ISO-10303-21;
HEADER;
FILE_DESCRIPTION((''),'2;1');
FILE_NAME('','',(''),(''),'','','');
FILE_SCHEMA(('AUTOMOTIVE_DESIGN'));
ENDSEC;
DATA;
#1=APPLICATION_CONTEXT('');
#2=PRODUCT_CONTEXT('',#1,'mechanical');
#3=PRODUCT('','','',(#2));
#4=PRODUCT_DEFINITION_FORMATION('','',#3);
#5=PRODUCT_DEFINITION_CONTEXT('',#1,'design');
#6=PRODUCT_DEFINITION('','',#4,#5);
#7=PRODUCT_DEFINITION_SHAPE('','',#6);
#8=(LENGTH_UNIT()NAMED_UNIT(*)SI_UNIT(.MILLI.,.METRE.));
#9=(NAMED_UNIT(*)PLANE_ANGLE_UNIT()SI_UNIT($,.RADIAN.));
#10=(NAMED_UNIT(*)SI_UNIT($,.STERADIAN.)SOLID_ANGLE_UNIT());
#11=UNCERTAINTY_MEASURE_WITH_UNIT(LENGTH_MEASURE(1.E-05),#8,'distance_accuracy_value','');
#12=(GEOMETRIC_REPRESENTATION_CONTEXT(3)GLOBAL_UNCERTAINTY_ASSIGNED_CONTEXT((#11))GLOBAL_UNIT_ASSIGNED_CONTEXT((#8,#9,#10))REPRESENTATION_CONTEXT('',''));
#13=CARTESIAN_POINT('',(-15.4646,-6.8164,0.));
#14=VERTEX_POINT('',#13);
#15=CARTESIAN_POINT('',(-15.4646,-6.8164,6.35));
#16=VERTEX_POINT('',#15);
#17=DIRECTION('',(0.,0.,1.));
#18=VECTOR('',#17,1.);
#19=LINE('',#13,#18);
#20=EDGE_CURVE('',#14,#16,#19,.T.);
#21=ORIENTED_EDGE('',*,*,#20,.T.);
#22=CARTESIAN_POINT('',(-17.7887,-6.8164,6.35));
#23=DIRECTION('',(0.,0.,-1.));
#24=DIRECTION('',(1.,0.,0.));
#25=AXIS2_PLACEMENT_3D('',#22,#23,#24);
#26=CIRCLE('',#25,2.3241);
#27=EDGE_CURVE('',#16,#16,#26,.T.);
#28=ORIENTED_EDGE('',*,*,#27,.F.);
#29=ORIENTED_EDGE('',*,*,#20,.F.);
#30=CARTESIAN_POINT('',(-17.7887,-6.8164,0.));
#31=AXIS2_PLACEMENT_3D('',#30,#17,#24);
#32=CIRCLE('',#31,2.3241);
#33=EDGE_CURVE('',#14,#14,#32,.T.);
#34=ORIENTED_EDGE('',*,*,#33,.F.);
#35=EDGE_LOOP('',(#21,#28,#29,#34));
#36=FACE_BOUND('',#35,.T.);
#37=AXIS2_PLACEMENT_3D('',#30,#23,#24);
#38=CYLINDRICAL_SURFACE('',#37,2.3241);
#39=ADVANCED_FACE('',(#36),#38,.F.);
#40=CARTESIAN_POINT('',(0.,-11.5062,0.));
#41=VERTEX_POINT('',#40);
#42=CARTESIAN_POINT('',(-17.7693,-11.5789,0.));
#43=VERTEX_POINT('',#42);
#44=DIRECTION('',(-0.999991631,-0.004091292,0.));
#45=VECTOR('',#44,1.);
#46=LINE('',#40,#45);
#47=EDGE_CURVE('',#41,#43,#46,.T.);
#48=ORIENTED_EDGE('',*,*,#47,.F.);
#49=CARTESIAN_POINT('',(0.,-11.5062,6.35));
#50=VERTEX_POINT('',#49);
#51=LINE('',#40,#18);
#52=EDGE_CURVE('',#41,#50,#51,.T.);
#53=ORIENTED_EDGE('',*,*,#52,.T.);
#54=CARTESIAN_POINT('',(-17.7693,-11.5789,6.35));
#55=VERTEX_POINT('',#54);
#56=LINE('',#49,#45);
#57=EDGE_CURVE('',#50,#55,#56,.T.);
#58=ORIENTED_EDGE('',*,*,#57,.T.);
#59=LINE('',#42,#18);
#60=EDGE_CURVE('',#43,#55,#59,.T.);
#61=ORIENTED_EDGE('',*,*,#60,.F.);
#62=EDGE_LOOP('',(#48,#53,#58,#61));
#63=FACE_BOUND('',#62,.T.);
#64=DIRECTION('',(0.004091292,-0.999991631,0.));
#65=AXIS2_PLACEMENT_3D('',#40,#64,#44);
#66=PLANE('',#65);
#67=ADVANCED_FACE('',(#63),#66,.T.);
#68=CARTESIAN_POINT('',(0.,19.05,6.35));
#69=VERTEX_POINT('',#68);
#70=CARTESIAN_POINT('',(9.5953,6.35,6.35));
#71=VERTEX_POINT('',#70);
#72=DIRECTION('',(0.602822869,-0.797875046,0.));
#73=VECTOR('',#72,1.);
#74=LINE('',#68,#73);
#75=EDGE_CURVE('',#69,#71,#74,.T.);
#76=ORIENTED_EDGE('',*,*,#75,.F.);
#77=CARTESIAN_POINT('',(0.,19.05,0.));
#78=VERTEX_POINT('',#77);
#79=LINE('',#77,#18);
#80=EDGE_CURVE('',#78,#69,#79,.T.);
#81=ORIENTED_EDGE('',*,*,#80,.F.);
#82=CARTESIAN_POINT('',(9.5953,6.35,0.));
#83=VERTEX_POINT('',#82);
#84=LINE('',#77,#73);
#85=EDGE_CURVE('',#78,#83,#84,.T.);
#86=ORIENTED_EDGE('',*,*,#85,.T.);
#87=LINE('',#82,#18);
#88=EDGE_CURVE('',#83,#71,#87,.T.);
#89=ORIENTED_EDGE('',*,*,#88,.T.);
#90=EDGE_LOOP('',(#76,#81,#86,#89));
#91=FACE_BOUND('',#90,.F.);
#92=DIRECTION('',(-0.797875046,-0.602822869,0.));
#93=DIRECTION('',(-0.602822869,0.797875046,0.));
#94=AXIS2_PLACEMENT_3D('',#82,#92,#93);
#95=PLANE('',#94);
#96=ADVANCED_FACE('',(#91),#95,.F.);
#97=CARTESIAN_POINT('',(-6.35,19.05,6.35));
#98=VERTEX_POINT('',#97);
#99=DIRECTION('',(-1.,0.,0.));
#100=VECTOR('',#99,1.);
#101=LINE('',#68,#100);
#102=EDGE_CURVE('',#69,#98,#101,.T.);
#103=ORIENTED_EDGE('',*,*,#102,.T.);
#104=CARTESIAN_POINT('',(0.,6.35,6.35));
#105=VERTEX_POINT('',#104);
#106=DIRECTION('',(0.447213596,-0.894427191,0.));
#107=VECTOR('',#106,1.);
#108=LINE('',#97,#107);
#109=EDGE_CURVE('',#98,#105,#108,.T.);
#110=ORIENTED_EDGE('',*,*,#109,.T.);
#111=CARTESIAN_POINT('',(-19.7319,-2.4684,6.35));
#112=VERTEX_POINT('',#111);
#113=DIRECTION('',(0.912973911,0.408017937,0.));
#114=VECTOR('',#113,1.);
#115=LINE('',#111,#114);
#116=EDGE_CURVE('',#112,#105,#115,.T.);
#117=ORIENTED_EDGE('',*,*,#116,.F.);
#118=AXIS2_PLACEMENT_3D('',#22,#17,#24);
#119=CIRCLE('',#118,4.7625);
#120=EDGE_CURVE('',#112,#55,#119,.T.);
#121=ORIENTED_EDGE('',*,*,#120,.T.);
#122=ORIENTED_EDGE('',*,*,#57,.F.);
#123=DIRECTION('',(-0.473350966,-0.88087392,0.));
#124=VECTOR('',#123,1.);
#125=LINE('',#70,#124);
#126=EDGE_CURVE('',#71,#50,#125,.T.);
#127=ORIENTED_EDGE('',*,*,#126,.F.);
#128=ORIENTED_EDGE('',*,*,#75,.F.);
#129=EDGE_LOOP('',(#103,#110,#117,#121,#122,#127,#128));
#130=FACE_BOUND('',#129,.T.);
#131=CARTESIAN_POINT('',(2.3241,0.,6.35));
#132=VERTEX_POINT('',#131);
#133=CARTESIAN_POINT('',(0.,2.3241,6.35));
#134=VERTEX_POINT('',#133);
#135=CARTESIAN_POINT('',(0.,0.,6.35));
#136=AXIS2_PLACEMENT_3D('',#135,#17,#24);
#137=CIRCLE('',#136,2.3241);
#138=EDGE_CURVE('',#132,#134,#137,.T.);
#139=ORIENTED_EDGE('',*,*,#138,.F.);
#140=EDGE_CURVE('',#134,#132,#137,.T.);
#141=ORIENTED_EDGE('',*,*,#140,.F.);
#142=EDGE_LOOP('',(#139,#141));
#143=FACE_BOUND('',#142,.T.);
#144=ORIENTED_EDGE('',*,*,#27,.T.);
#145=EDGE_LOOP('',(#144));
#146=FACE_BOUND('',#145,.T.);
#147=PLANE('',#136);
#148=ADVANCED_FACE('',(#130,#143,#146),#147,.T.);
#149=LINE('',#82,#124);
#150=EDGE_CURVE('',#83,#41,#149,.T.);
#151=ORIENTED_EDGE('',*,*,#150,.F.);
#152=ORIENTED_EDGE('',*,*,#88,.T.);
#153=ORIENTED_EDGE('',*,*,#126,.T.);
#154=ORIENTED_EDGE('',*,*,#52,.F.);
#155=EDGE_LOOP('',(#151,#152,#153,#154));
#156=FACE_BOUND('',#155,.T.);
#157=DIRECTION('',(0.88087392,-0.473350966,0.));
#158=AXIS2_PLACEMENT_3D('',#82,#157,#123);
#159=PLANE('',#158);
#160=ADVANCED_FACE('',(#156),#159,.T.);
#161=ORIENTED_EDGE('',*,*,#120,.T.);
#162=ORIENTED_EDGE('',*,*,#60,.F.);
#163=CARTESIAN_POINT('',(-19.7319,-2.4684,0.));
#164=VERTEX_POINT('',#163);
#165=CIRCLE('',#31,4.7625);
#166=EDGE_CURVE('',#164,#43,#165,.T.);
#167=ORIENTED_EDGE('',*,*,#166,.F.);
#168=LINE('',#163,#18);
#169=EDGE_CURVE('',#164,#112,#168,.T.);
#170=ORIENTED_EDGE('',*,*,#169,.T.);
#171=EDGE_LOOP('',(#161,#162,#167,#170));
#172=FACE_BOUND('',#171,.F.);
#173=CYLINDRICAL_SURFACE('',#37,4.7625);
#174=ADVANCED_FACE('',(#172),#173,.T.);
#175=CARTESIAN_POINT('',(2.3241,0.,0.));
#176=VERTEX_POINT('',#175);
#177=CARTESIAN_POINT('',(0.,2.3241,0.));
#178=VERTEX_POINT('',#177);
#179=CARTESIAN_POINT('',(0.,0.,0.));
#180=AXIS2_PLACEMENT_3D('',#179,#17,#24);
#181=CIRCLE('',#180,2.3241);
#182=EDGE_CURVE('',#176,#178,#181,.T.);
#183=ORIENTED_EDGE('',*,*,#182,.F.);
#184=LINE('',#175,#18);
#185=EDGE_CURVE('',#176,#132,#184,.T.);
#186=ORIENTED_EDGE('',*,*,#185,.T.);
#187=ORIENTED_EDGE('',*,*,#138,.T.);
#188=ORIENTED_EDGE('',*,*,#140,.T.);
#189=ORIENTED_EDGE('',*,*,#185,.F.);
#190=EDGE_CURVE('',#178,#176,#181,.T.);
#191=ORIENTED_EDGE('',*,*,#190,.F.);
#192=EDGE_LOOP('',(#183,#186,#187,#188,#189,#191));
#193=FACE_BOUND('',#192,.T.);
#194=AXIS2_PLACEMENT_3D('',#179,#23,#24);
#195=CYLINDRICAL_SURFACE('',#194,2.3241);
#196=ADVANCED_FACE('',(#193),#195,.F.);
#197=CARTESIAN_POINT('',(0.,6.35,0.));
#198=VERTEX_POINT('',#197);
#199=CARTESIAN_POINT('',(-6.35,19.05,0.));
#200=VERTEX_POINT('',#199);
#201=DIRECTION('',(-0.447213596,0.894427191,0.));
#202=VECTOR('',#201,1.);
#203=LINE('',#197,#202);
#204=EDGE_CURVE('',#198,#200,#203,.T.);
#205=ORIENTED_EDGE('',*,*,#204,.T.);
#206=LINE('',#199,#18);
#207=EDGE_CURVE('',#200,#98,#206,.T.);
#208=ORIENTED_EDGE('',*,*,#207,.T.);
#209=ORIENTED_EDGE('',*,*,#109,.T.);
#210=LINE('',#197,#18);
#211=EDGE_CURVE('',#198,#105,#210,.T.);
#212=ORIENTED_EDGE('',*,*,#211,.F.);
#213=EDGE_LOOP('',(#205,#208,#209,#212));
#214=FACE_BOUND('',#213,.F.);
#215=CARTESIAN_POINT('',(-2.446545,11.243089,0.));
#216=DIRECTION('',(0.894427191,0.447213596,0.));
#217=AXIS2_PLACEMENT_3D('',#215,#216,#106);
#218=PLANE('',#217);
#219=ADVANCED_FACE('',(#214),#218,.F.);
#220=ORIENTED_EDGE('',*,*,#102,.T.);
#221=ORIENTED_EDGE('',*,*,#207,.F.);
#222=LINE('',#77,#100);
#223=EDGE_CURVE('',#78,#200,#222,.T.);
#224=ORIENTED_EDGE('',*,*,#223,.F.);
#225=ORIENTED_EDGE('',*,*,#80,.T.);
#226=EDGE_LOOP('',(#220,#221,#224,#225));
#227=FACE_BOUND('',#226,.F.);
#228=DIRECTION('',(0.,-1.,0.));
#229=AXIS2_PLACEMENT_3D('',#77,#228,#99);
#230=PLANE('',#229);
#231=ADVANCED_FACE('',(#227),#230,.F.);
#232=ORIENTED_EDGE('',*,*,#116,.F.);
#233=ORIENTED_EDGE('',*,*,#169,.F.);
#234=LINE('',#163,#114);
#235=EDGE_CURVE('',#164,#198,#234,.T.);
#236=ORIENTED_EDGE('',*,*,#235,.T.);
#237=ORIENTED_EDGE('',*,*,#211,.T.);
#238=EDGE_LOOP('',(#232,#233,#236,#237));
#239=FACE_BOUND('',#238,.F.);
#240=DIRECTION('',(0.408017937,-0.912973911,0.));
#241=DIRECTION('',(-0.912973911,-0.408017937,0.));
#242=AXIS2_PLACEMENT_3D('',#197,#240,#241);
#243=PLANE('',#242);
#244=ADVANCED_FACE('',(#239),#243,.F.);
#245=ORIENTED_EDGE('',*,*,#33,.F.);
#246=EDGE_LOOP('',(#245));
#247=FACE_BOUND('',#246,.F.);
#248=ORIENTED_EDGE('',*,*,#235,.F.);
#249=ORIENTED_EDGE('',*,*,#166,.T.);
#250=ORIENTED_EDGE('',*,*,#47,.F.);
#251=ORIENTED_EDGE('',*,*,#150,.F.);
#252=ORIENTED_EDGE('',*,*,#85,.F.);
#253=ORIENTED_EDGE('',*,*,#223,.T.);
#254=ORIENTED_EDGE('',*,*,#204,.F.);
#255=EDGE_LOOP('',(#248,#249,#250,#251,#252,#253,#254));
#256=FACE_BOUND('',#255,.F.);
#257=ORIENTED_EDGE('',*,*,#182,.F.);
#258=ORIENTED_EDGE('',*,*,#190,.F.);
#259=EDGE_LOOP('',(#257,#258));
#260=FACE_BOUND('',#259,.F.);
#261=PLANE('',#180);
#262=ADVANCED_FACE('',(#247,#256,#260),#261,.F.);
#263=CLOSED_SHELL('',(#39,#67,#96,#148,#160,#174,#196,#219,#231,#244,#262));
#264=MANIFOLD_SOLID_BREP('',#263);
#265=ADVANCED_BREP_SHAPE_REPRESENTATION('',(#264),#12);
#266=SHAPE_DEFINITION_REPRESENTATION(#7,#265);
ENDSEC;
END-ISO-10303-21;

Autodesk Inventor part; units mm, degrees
ref_plane "YZ Plane" through (0, 0, 0) normal (1, 0, 0) x (0, 1, 0)
ref_plane "XZ Plane" through (0, 0, 0) normal (0, 1, 0) x (-1, 0, 0)
ref_plane "XY Plane" through (0, 0, 0) normal (0, 0, 1) x (1, 0, 0)
sketch "Sketch1" plane through (0, 0, 0) normal (0, 0, 1) x (1, 0, 0)
  circle A0 centre (0, 0) radius 2.3241
  circle A1 centre (0, 0) radius 11.5062
  line L0 (0, 0) -> (0, 6.35)
  line L1 (0, 6.35) -> (1.4708, 6.35)
  line L2 (1.4708, 6.35) -> (9.5953, 6.35)
  line L3 (0, 6.35) -> (0, 19.05)
  line L4 (0, 19.05) -> (-6.35, 19.05)
  line L5 (-6.35, 19.05) -> (0, 6.35)
  line L6 (9.5953, 6.35) -> (0, 19.05)
  line L7 (0, 6.35) -> (-35.4663, 6.35)
  circle A2 centre (0, 0) radius 19.05
  line L8 (-30.5707, -30.0948) -> (-7.7493, -41.2459)
  circle A3 centre (4.7977, -18.436) radius 2.3241
  circle A4 centre (4.7977, -18.436) radius 4.7625
  line L9 (4.7977, -18.436) -> (-17.7887, -6.8164)
  circle A5 centre (-17.7887, -6.8164) radius 2.3241
  circle A6 centre (-17.7887, -6.8164) radius 4.7625
  line L10 (0, 6.35) -> (-19.7319, -2.4684)
  line L11 (9.5953, 6.35) -> (0, -11.5062)
  line L12 (0, -11.5062) -> (-17.7693, -11.5789)
  dimension "d0" = 4.6482
  dimension "d1" = 23.0124
  dimension "d2" = 6.35
  dimension "d3" = 12.7
  dimension "d4" = 6.35
  dimension "d5" = 25.4
  dimension "d6" = 4.6482
  dimension "d7" = 9.525
  dimension "d8" = 25.4
  dimension "d9" = 4.6482
  dimension "d10" = 9.525
extrude "Extrusion1" add sketch "Sketch1" along normal blind 6.35 contours L1 L2 L11 A1 L10 | L5 A1 L3 | L3 A1 L6 L2 L1 | L3 L6 A1 | A1 L5 A2 L3 | A1 L12 L9 A6 A2 L10 | A2 L5 L4 | A2 A6 L10 | L12 A2 A6 L9 | A6 L9 A5 A2 | A2 A5 A6 | A6 A2 A5 L9 | L12 A6 A2
properties part number "Goal Jaw Tooth"
